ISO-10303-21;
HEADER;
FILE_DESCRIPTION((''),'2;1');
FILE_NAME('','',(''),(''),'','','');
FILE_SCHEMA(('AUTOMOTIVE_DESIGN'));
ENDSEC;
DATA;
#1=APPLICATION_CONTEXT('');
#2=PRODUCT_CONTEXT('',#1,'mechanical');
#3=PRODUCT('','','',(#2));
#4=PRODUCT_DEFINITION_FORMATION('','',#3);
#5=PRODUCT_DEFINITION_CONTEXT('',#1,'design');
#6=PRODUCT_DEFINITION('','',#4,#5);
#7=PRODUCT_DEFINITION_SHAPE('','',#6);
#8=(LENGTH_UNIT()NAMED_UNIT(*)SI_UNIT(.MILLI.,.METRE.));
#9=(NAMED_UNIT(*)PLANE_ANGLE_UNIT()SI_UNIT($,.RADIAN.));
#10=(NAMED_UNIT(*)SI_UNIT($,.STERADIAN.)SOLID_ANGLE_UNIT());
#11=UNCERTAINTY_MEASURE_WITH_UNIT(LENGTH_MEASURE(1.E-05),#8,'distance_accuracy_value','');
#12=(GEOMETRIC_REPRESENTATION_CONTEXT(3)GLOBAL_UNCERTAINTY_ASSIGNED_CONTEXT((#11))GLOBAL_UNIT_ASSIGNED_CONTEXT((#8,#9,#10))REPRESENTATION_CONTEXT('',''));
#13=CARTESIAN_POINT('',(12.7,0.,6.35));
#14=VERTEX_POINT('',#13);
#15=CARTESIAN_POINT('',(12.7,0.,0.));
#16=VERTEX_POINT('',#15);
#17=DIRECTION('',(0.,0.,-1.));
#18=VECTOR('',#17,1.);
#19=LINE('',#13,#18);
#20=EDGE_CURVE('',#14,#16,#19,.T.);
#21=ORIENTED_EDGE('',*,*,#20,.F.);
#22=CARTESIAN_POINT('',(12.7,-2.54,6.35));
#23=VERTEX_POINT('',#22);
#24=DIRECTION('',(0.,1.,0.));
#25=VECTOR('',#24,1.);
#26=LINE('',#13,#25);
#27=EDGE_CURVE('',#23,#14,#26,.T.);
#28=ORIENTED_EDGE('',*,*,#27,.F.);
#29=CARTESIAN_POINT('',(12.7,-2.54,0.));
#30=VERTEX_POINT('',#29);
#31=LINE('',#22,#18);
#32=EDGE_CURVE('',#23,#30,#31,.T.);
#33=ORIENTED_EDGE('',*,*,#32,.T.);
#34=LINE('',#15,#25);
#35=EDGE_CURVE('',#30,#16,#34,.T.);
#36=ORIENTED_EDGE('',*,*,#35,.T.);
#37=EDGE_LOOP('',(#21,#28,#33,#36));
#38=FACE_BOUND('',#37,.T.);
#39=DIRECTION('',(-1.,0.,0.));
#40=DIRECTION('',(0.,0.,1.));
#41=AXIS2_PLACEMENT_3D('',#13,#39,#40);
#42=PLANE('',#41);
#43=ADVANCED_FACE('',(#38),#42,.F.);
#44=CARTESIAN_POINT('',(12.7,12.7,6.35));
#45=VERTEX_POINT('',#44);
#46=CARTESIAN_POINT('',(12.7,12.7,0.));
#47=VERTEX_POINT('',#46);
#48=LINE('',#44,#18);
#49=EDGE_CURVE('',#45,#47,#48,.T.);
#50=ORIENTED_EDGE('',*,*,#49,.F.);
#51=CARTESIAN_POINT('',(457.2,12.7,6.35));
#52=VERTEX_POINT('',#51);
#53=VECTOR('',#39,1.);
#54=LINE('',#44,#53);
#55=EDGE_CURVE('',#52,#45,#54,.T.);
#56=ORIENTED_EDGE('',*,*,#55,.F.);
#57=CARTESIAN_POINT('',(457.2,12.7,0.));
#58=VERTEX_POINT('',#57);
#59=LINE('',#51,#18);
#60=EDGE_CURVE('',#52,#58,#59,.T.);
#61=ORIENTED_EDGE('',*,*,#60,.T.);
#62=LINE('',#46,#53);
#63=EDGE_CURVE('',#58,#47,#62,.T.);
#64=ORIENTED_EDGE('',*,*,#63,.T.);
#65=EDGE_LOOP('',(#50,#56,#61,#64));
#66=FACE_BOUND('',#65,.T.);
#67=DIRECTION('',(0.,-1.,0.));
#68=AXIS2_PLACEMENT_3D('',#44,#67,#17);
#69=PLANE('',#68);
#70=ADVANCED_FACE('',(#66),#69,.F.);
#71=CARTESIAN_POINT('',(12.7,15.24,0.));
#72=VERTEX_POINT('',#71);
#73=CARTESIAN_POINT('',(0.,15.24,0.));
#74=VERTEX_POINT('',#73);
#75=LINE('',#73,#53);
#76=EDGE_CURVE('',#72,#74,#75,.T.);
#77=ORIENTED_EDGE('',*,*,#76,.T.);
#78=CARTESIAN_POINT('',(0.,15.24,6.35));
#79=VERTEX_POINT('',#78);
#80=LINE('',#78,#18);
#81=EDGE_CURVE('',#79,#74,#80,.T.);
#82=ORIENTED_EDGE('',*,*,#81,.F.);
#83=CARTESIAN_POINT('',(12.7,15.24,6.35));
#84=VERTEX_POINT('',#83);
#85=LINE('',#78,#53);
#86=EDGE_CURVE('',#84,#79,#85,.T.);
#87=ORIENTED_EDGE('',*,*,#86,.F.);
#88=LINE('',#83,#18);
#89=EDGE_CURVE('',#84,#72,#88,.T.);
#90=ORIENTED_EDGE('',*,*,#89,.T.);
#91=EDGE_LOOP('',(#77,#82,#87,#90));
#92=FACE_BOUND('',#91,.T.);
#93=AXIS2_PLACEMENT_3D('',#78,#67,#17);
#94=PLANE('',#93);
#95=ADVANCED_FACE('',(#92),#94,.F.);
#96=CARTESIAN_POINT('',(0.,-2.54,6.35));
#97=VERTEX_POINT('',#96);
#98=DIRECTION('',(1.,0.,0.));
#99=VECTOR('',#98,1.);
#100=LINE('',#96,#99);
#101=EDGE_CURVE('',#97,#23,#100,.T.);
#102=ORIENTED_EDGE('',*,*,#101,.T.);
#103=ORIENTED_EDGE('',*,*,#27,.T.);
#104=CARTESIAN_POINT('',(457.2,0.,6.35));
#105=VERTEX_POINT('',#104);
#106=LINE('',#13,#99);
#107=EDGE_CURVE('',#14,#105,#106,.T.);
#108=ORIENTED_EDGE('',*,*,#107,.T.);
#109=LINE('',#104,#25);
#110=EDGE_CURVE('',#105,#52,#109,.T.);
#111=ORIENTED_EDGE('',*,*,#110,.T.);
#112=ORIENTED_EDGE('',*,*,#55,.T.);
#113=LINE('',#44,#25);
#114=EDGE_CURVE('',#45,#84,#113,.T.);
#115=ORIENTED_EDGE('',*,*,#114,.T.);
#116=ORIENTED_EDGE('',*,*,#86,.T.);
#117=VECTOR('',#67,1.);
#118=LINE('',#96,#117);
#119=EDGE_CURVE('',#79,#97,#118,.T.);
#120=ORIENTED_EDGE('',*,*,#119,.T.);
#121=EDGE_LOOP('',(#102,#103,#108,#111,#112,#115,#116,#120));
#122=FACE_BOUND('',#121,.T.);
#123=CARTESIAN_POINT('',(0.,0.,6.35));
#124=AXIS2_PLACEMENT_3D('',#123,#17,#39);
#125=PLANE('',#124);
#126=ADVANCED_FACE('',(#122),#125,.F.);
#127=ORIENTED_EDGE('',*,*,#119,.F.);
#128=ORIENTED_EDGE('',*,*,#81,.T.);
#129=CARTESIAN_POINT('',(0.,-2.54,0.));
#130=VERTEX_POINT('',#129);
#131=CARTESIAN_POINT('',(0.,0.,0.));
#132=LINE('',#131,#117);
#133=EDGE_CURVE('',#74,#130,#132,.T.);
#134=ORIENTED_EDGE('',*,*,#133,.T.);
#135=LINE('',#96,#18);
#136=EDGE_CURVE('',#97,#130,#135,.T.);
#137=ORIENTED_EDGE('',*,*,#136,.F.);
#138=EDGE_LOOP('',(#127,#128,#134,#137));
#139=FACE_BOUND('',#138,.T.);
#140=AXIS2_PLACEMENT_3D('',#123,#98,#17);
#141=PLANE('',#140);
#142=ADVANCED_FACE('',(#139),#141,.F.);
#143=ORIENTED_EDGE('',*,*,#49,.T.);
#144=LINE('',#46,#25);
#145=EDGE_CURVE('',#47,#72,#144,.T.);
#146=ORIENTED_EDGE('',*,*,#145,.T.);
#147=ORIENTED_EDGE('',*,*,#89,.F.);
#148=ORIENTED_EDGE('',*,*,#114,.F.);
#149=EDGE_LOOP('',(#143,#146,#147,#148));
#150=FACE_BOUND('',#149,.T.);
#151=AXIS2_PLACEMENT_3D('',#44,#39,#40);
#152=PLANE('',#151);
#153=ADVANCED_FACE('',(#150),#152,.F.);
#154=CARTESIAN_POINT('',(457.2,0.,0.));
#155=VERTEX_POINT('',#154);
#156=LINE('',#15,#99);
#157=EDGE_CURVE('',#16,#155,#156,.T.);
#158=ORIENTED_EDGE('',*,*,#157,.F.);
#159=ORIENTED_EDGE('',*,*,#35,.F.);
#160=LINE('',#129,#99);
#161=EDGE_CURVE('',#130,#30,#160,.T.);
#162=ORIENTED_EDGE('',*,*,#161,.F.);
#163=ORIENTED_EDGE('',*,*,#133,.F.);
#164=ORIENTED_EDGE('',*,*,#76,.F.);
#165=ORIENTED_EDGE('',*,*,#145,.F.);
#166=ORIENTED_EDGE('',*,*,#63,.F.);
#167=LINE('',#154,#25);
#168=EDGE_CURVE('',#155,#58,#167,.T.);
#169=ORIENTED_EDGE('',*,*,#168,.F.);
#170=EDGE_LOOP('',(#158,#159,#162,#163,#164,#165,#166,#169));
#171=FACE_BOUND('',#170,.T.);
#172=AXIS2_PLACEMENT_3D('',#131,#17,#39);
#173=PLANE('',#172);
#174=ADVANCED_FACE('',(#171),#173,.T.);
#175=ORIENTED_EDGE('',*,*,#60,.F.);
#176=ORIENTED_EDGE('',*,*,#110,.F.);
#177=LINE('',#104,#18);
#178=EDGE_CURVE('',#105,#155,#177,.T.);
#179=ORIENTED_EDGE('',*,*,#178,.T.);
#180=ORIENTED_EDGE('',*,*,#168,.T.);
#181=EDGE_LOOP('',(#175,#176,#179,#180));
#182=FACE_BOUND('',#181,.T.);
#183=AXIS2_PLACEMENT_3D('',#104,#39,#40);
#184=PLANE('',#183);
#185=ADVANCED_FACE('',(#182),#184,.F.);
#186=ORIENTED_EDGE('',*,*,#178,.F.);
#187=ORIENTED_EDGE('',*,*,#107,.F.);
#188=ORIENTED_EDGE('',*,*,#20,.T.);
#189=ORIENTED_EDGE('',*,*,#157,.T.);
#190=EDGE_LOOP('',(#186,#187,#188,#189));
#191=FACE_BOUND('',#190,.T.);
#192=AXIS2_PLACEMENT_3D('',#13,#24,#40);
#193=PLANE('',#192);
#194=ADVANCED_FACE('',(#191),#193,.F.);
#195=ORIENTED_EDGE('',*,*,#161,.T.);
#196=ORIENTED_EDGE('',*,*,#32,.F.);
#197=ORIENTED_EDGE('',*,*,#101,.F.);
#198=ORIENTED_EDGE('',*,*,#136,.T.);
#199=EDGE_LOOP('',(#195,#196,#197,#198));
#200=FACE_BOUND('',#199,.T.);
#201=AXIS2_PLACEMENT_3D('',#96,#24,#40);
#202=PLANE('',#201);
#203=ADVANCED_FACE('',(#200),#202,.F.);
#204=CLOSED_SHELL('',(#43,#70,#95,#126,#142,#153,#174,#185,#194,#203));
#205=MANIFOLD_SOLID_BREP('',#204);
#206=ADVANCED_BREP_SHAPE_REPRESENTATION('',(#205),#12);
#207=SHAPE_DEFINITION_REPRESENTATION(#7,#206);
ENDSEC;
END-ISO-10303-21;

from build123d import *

# Parameters (mm, degrees)
BOSS_EXTRUDE1_DEPTH = 6.35


with BuildPart() as part:
    # Sketch1 → Boss-Extrude1 (new body)
    with BuildSketch(Plane.XY):
        Polygon((12.7, 0), (457.2, 0), (457.2, 12.7), (12.7, 12.7), (12.7, 15.24), (0, 15.24), (0, 12.7), (0, 0), (0, -2.54), (12.7, -2.54), align=None)
    extrude(amount=BOSS_EXTRUDE1_DEPTH)


solid = part.part
